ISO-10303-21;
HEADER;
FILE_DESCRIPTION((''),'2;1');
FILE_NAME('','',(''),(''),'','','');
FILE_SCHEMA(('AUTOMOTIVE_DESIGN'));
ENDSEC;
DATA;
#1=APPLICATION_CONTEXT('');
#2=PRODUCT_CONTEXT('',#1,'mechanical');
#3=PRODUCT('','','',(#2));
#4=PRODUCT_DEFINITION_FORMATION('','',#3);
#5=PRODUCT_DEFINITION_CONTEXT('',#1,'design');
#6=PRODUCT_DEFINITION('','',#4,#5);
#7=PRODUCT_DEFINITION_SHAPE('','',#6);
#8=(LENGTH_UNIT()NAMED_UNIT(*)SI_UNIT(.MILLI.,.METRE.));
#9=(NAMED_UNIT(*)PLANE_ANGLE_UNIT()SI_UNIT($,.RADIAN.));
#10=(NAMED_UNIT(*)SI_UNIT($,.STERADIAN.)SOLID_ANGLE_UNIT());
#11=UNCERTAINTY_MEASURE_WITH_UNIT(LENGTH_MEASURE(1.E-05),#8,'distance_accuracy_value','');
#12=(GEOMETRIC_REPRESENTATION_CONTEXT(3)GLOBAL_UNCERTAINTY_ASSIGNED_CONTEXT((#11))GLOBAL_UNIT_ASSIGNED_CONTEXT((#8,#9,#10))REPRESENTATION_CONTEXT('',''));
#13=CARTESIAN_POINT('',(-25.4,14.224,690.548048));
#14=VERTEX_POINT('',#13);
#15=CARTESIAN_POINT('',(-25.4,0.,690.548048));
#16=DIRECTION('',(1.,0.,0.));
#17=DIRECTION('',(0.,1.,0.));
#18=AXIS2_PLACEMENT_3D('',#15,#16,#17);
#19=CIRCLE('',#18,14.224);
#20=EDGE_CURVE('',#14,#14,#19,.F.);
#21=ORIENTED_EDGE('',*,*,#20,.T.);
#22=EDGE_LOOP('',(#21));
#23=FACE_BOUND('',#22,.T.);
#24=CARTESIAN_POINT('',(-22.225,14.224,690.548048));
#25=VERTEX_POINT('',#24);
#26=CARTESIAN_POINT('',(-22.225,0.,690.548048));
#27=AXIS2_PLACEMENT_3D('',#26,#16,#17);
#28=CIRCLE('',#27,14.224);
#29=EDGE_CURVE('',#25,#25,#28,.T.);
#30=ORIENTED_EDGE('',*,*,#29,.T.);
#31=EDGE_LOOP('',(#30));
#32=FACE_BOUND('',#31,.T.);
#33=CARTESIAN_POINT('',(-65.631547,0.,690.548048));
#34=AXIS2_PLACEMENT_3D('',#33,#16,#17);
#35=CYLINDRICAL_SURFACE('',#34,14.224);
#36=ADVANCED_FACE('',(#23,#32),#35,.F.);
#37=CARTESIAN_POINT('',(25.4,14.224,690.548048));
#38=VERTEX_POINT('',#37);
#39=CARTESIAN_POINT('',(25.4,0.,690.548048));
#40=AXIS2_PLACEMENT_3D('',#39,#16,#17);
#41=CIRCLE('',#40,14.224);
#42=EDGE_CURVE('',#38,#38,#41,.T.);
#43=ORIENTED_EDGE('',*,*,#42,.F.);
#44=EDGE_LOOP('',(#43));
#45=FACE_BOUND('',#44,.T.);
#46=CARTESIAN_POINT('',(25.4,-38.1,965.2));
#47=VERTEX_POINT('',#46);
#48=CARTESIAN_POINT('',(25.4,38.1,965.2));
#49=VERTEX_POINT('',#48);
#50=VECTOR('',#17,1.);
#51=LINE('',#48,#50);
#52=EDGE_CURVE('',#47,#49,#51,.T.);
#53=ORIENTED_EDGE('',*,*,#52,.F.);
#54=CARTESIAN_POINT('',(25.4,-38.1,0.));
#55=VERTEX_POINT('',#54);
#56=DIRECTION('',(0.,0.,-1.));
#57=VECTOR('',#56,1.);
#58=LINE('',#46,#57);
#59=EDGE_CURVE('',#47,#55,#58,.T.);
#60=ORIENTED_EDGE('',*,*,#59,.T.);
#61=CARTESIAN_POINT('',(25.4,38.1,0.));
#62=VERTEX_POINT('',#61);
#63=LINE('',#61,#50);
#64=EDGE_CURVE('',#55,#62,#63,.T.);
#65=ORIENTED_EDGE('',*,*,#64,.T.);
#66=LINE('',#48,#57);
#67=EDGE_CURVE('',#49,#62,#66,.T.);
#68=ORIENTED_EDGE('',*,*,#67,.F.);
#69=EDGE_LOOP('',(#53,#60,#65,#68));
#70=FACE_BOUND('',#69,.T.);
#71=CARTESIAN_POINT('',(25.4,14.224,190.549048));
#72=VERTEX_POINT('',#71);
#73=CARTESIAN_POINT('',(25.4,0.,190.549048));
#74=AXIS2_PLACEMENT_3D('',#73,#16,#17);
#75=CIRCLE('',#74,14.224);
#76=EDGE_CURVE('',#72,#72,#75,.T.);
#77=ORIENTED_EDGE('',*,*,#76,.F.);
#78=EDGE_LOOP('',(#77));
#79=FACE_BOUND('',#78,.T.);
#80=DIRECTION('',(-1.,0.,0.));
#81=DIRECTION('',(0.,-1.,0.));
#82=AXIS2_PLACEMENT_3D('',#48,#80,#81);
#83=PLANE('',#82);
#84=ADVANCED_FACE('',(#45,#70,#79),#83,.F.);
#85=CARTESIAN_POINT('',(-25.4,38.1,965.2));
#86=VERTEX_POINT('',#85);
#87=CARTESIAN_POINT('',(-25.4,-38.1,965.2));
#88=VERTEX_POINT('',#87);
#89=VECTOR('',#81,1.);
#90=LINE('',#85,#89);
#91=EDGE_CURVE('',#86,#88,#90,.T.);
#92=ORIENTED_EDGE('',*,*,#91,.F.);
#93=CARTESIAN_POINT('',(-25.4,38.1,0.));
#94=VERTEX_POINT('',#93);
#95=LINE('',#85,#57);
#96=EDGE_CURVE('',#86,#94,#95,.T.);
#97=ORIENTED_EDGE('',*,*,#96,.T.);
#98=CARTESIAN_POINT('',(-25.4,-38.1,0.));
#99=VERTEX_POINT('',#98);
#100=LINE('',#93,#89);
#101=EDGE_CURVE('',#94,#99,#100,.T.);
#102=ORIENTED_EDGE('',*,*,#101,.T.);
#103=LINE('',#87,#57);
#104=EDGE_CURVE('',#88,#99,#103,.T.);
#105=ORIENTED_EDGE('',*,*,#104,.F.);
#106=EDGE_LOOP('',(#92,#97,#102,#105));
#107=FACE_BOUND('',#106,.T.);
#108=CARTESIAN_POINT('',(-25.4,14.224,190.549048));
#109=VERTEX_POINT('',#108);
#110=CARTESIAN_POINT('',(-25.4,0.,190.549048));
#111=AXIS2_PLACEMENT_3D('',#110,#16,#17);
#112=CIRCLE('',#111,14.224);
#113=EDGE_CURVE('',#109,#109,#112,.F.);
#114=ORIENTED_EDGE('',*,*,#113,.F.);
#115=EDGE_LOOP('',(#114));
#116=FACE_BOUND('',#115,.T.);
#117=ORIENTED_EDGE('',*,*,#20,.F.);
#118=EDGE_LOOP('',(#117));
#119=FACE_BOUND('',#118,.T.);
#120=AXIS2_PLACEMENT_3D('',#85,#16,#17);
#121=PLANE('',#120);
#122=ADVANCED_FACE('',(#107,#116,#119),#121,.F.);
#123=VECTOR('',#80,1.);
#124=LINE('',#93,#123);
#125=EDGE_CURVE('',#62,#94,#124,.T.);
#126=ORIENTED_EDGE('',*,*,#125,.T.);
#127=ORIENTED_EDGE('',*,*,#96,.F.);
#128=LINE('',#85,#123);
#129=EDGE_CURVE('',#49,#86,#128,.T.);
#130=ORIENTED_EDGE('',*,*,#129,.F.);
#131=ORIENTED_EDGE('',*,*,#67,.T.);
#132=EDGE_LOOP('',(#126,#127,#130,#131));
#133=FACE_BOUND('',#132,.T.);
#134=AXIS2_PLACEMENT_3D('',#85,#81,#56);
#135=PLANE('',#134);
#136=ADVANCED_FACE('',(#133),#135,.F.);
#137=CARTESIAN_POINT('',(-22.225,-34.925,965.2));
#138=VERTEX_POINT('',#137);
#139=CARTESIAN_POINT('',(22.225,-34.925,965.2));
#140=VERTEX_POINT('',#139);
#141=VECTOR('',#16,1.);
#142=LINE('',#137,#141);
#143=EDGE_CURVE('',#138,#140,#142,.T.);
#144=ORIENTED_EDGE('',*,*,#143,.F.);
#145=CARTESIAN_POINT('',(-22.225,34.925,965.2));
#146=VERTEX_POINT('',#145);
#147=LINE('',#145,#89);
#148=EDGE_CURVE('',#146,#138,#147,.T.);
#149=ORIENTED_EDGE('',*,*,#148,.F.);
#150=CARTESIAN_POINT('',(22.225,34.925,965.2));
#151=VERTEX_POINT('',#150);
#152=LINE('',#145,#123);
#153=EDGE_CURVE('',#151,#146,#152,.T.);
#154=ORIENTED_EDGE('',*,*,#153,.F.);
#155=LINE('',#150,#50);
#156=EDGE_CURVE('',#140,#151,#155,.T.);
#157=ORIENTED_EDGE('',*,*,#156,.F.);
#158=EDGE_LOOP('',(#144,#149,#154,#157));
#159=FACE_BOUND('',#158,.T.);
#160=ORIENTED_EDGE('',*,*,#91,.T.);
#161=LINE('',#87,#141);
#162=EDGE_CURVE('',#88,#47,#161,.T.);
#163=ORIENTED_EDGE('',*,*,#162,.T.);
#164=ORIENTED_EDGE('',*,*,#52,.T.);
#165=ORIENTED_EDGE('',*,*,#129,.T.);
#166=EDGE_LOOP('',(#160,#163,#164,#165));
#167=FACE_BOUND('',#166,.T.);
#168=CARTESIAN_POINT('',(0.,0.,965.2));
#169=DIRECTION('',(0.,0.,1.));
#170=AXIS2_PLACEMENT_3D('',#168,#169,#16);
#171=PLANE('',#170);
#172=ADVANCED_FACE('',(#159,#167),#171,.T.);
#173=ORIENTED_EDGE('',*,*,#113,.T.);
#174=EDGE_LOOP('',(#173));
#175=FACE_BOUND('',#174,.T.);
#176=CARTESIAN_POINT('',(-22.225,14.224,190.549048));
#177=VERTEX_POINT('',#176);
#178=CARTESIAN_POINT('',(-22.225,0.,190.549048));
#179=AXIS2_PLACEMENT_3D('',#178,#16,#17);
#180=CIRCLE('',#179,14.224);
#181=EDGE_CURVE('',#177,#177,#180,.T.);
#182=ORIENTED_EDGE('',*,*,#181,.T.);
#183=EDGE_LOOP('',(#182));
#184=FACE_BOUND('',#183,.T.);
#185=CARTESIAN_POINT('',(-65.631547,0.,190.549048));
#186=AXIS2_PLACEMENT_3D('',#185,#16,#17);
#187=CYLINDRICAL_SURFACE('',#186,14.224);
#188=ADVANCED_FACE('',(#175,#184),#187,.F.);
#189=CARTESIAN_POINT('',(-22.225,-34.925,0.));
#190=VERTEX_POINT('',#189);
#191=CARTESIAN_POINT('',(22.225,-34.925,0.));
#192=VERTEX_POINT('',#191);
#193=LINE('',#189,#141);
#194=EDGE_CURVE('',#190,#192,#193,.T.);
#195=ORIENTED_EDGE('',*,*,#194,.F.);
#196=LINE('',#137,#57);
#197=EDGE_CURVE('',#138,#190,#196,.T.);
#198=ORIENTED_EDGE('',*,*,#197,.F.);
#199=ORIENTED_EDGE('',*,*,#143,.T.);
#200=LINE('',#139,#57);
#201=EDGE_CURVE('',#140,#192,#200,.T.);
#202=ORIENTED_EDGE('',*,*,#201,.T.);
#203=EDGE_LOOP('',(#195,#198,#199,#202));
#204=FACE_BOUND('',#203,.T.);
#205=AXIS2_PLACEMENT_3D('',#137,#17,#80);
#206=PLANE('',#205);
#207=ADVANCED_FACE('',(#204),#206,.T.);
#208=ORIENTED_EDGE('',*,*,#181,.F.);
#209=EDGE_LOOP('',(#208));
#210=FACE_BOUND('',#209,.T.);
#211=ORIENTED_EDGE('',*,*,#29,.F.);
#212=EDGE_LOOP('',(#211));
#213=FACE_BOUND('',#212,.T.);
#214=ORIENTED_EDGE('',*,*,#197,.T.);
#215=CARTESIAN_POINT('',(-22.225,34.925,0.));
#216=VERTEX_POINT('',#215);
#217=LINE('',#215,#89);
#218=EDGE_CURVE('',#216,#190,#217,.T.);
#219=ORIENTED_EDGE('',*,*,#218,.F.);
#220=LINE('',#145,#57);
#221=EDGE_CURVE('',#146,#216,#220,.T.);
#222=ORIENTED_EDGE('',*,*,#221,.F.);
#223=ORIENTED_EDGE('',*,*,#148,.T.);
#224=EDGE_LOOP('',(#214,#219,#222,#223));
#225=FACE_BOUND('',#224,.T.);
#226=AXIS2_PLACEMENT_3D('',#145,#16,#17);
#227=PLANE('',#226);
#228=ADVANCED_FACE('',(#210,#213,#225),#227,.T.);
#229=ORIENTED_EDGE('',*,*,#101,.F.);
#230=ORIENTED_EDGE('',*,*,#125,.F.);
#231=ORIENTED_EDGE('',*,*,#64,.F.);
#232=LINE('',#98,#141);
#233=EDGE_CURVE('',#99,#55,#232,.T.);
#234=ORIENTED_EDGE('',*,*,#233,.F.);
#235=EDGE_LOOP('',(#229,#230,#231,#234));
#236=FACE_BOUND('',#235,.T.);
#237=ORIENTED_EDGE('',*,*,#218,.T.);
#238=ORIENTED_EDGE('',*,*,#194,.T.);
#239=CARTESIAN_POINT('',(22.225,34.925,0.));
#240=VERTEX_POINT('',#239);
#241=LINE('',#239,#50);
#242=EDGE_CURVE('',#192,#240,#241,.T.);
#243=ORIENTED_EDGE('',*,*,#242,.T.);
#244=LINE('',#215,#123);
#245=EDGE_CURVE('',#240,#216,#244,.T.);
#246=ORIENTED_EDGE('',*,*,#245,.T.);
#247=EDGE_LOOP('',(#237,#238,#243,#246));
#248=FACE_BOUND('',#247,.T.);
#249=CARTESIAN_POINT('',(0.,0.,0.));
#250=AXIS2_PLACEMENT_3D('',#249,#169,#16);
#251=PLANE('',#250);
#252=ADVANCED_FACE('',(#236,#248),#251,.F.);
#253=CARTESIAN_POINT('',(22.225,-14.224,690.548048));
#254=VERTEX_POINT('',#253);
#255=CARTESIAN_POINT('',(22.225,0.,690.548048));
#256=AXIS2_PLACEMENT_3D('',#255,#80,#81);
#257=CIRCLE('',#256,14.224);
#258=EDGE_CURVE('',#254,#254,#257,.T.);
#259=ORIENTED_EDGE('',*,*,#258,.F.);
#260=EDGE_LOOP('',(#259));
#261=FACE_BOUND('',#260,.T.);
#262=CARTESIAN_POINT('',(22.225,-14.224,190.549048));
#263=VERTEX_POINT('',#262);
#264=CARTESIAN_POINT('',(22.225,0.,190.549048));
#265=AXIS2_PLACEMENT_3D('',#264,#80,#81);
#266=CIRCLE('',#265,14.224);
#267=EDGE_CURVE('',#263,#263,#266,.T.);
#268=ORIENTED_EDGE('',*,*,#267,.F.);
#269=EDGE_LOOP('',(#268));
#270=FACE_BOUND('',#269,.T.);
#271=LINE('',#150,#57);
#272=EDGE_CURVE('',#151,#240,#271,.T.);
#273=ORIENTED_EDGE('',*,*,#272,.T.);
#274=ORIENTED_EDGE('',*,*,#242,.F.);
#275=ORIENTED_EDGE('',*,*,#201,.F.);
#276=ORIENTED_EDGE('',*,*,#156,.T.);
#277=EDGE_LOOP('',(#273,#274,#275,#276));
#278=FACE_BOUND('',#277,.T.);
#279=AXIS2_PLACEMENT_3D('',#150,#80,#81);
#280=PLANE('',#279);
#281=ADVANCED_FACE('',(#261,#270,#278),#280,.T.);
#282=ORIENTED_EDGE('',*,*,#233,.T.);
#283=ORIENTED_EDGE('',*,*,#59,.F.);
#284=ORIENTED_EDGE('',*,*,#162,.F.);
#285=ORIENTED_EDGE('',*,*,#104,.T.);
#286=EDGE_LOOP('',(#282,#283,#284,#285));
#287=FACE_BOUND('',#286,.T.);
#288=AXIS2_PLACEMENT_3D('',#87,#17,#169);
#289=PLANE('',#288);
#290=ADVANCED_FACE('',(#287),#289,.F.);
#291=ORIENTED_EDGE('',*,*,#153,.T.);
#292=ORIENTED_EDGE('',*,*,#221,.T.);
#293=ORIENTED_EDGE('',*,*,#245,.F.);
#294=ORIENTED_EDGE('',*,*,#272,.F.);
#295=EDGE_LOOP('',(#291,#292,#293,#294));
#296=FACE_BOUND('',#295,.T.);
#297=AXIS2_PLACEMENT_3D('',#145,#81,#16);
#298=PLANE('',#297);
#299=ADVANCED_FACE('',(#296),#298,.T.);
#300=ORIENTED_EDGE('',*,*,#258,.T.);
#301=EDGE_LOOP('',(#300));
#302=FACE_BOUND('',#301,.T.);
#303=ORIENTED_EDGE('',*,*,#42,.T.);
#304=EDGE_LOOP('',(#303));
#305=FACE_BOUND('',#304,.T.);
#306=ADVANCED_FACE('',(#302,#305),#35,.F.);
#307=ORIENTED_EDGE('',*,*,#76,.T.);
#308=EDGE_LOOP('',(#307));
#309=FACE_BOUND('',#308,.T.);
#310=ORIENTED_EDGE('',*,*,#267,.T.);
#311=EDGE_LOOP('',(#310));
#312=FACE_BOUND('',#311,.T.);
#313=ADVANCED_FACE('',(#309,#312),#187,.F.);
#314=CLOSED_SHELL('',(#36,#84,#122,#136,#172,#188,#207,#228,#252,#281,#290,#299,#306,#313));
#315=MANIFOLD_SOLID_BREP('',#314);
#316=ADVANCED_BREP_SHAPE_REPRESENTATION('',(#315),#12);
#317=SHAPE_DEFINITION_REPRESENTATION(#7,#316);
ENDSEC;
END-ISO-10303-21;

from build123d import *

# Parameters (mm, degrees)
SKETCH1_W           = 50.8
SKETCH1_H           = 76.2
SKETCH1_W_2         = 44.45
SKETCH1_H_2         = 69.85
BOSS_EXTRUDE1_DEPTH = 965.2
CUT_EXTRUDE1_REACH  = 969.287
SKETCH4_R           = 14.224


with BuildPart() as part:
    # Sketch1 → Boss-Extrude1 (new body)
    with BuildSketch(Plane.XY):
        Rectangle(SKETCH1_W, SKETCH1_H)
        Rectangle(SKETCH1_W_2, SKETCH1_H_2, mode=Mode.SUBTRACT)
    extrude(amount=BOSS_EXTRUDE1_DEPTH)

    # Cut-Extrude1: up to this face of the body (flat: up to its plane)
    cut_extrude1_end = Plane(part.part.faces().sort_by_distance((-25.4, 0, 482.6))[0])
    # Sketch4 → Cut-Extrude1 (cut, up to the picked face)
    with BuildSketch(Plane(origin=(25.4, 0, 0), x_dir=(0, 0, -1), z_dir=(1, 0, 0)), mode=Mode.PRIVATE) as cut_extrude1_sk1:
        with Locations(Location((-690.548048411, 0, 0), (0, 0, 90))):
            Circle(SKETCH4_R)
    cut_extrude1_tool1 = split(extrude(cut_extrude1_sk1.sketch, amount=-CUT_EXTRUDE1_REACH, mode=Mode.PRIVATE), bisect_by=cut_extrude1_end, keep=Keep.BOTH, mode=Mode.PRIVATE)
    # Sketch4 → Cut-Extrude1 (cut, up to the picked face)
    with BuildSketch(Plane(origin=(25.4, 0, 0), x_dir=(0, 0, -1), z_dir=(1, 0, 0)), mode=Mode.PRIVATE) as cut_extrude1_sk2:
        with Locations(Location((-190.549048411, 0, 0), (0, 0, 90))):
            Circle(SKETCH4_R)
    cut_extrude1_tool2 = split(extrude(cut_extrude1_sk2.sketch, amount=-CUT_EXTRUDE1_REACH, mode=Mode.PRIVATE), bisect_by=cut_extrude1_end, keep=Keep.BOTH, mode=Mode.PRIVATE)
    add(cut_extrude1_tool1.solids().sort_by(Axis((25.4, 0, 690.548048), (-1, 0, 0)))[0], mode=Mode.SUBTRACT)
    add(cut_extrude1_tool2.solids().sort_by(Axis((25.4, 0, 190.549048), (-1, 0, 0)))[0], mode=Mode.SUBTRACT)


solid = part.part
